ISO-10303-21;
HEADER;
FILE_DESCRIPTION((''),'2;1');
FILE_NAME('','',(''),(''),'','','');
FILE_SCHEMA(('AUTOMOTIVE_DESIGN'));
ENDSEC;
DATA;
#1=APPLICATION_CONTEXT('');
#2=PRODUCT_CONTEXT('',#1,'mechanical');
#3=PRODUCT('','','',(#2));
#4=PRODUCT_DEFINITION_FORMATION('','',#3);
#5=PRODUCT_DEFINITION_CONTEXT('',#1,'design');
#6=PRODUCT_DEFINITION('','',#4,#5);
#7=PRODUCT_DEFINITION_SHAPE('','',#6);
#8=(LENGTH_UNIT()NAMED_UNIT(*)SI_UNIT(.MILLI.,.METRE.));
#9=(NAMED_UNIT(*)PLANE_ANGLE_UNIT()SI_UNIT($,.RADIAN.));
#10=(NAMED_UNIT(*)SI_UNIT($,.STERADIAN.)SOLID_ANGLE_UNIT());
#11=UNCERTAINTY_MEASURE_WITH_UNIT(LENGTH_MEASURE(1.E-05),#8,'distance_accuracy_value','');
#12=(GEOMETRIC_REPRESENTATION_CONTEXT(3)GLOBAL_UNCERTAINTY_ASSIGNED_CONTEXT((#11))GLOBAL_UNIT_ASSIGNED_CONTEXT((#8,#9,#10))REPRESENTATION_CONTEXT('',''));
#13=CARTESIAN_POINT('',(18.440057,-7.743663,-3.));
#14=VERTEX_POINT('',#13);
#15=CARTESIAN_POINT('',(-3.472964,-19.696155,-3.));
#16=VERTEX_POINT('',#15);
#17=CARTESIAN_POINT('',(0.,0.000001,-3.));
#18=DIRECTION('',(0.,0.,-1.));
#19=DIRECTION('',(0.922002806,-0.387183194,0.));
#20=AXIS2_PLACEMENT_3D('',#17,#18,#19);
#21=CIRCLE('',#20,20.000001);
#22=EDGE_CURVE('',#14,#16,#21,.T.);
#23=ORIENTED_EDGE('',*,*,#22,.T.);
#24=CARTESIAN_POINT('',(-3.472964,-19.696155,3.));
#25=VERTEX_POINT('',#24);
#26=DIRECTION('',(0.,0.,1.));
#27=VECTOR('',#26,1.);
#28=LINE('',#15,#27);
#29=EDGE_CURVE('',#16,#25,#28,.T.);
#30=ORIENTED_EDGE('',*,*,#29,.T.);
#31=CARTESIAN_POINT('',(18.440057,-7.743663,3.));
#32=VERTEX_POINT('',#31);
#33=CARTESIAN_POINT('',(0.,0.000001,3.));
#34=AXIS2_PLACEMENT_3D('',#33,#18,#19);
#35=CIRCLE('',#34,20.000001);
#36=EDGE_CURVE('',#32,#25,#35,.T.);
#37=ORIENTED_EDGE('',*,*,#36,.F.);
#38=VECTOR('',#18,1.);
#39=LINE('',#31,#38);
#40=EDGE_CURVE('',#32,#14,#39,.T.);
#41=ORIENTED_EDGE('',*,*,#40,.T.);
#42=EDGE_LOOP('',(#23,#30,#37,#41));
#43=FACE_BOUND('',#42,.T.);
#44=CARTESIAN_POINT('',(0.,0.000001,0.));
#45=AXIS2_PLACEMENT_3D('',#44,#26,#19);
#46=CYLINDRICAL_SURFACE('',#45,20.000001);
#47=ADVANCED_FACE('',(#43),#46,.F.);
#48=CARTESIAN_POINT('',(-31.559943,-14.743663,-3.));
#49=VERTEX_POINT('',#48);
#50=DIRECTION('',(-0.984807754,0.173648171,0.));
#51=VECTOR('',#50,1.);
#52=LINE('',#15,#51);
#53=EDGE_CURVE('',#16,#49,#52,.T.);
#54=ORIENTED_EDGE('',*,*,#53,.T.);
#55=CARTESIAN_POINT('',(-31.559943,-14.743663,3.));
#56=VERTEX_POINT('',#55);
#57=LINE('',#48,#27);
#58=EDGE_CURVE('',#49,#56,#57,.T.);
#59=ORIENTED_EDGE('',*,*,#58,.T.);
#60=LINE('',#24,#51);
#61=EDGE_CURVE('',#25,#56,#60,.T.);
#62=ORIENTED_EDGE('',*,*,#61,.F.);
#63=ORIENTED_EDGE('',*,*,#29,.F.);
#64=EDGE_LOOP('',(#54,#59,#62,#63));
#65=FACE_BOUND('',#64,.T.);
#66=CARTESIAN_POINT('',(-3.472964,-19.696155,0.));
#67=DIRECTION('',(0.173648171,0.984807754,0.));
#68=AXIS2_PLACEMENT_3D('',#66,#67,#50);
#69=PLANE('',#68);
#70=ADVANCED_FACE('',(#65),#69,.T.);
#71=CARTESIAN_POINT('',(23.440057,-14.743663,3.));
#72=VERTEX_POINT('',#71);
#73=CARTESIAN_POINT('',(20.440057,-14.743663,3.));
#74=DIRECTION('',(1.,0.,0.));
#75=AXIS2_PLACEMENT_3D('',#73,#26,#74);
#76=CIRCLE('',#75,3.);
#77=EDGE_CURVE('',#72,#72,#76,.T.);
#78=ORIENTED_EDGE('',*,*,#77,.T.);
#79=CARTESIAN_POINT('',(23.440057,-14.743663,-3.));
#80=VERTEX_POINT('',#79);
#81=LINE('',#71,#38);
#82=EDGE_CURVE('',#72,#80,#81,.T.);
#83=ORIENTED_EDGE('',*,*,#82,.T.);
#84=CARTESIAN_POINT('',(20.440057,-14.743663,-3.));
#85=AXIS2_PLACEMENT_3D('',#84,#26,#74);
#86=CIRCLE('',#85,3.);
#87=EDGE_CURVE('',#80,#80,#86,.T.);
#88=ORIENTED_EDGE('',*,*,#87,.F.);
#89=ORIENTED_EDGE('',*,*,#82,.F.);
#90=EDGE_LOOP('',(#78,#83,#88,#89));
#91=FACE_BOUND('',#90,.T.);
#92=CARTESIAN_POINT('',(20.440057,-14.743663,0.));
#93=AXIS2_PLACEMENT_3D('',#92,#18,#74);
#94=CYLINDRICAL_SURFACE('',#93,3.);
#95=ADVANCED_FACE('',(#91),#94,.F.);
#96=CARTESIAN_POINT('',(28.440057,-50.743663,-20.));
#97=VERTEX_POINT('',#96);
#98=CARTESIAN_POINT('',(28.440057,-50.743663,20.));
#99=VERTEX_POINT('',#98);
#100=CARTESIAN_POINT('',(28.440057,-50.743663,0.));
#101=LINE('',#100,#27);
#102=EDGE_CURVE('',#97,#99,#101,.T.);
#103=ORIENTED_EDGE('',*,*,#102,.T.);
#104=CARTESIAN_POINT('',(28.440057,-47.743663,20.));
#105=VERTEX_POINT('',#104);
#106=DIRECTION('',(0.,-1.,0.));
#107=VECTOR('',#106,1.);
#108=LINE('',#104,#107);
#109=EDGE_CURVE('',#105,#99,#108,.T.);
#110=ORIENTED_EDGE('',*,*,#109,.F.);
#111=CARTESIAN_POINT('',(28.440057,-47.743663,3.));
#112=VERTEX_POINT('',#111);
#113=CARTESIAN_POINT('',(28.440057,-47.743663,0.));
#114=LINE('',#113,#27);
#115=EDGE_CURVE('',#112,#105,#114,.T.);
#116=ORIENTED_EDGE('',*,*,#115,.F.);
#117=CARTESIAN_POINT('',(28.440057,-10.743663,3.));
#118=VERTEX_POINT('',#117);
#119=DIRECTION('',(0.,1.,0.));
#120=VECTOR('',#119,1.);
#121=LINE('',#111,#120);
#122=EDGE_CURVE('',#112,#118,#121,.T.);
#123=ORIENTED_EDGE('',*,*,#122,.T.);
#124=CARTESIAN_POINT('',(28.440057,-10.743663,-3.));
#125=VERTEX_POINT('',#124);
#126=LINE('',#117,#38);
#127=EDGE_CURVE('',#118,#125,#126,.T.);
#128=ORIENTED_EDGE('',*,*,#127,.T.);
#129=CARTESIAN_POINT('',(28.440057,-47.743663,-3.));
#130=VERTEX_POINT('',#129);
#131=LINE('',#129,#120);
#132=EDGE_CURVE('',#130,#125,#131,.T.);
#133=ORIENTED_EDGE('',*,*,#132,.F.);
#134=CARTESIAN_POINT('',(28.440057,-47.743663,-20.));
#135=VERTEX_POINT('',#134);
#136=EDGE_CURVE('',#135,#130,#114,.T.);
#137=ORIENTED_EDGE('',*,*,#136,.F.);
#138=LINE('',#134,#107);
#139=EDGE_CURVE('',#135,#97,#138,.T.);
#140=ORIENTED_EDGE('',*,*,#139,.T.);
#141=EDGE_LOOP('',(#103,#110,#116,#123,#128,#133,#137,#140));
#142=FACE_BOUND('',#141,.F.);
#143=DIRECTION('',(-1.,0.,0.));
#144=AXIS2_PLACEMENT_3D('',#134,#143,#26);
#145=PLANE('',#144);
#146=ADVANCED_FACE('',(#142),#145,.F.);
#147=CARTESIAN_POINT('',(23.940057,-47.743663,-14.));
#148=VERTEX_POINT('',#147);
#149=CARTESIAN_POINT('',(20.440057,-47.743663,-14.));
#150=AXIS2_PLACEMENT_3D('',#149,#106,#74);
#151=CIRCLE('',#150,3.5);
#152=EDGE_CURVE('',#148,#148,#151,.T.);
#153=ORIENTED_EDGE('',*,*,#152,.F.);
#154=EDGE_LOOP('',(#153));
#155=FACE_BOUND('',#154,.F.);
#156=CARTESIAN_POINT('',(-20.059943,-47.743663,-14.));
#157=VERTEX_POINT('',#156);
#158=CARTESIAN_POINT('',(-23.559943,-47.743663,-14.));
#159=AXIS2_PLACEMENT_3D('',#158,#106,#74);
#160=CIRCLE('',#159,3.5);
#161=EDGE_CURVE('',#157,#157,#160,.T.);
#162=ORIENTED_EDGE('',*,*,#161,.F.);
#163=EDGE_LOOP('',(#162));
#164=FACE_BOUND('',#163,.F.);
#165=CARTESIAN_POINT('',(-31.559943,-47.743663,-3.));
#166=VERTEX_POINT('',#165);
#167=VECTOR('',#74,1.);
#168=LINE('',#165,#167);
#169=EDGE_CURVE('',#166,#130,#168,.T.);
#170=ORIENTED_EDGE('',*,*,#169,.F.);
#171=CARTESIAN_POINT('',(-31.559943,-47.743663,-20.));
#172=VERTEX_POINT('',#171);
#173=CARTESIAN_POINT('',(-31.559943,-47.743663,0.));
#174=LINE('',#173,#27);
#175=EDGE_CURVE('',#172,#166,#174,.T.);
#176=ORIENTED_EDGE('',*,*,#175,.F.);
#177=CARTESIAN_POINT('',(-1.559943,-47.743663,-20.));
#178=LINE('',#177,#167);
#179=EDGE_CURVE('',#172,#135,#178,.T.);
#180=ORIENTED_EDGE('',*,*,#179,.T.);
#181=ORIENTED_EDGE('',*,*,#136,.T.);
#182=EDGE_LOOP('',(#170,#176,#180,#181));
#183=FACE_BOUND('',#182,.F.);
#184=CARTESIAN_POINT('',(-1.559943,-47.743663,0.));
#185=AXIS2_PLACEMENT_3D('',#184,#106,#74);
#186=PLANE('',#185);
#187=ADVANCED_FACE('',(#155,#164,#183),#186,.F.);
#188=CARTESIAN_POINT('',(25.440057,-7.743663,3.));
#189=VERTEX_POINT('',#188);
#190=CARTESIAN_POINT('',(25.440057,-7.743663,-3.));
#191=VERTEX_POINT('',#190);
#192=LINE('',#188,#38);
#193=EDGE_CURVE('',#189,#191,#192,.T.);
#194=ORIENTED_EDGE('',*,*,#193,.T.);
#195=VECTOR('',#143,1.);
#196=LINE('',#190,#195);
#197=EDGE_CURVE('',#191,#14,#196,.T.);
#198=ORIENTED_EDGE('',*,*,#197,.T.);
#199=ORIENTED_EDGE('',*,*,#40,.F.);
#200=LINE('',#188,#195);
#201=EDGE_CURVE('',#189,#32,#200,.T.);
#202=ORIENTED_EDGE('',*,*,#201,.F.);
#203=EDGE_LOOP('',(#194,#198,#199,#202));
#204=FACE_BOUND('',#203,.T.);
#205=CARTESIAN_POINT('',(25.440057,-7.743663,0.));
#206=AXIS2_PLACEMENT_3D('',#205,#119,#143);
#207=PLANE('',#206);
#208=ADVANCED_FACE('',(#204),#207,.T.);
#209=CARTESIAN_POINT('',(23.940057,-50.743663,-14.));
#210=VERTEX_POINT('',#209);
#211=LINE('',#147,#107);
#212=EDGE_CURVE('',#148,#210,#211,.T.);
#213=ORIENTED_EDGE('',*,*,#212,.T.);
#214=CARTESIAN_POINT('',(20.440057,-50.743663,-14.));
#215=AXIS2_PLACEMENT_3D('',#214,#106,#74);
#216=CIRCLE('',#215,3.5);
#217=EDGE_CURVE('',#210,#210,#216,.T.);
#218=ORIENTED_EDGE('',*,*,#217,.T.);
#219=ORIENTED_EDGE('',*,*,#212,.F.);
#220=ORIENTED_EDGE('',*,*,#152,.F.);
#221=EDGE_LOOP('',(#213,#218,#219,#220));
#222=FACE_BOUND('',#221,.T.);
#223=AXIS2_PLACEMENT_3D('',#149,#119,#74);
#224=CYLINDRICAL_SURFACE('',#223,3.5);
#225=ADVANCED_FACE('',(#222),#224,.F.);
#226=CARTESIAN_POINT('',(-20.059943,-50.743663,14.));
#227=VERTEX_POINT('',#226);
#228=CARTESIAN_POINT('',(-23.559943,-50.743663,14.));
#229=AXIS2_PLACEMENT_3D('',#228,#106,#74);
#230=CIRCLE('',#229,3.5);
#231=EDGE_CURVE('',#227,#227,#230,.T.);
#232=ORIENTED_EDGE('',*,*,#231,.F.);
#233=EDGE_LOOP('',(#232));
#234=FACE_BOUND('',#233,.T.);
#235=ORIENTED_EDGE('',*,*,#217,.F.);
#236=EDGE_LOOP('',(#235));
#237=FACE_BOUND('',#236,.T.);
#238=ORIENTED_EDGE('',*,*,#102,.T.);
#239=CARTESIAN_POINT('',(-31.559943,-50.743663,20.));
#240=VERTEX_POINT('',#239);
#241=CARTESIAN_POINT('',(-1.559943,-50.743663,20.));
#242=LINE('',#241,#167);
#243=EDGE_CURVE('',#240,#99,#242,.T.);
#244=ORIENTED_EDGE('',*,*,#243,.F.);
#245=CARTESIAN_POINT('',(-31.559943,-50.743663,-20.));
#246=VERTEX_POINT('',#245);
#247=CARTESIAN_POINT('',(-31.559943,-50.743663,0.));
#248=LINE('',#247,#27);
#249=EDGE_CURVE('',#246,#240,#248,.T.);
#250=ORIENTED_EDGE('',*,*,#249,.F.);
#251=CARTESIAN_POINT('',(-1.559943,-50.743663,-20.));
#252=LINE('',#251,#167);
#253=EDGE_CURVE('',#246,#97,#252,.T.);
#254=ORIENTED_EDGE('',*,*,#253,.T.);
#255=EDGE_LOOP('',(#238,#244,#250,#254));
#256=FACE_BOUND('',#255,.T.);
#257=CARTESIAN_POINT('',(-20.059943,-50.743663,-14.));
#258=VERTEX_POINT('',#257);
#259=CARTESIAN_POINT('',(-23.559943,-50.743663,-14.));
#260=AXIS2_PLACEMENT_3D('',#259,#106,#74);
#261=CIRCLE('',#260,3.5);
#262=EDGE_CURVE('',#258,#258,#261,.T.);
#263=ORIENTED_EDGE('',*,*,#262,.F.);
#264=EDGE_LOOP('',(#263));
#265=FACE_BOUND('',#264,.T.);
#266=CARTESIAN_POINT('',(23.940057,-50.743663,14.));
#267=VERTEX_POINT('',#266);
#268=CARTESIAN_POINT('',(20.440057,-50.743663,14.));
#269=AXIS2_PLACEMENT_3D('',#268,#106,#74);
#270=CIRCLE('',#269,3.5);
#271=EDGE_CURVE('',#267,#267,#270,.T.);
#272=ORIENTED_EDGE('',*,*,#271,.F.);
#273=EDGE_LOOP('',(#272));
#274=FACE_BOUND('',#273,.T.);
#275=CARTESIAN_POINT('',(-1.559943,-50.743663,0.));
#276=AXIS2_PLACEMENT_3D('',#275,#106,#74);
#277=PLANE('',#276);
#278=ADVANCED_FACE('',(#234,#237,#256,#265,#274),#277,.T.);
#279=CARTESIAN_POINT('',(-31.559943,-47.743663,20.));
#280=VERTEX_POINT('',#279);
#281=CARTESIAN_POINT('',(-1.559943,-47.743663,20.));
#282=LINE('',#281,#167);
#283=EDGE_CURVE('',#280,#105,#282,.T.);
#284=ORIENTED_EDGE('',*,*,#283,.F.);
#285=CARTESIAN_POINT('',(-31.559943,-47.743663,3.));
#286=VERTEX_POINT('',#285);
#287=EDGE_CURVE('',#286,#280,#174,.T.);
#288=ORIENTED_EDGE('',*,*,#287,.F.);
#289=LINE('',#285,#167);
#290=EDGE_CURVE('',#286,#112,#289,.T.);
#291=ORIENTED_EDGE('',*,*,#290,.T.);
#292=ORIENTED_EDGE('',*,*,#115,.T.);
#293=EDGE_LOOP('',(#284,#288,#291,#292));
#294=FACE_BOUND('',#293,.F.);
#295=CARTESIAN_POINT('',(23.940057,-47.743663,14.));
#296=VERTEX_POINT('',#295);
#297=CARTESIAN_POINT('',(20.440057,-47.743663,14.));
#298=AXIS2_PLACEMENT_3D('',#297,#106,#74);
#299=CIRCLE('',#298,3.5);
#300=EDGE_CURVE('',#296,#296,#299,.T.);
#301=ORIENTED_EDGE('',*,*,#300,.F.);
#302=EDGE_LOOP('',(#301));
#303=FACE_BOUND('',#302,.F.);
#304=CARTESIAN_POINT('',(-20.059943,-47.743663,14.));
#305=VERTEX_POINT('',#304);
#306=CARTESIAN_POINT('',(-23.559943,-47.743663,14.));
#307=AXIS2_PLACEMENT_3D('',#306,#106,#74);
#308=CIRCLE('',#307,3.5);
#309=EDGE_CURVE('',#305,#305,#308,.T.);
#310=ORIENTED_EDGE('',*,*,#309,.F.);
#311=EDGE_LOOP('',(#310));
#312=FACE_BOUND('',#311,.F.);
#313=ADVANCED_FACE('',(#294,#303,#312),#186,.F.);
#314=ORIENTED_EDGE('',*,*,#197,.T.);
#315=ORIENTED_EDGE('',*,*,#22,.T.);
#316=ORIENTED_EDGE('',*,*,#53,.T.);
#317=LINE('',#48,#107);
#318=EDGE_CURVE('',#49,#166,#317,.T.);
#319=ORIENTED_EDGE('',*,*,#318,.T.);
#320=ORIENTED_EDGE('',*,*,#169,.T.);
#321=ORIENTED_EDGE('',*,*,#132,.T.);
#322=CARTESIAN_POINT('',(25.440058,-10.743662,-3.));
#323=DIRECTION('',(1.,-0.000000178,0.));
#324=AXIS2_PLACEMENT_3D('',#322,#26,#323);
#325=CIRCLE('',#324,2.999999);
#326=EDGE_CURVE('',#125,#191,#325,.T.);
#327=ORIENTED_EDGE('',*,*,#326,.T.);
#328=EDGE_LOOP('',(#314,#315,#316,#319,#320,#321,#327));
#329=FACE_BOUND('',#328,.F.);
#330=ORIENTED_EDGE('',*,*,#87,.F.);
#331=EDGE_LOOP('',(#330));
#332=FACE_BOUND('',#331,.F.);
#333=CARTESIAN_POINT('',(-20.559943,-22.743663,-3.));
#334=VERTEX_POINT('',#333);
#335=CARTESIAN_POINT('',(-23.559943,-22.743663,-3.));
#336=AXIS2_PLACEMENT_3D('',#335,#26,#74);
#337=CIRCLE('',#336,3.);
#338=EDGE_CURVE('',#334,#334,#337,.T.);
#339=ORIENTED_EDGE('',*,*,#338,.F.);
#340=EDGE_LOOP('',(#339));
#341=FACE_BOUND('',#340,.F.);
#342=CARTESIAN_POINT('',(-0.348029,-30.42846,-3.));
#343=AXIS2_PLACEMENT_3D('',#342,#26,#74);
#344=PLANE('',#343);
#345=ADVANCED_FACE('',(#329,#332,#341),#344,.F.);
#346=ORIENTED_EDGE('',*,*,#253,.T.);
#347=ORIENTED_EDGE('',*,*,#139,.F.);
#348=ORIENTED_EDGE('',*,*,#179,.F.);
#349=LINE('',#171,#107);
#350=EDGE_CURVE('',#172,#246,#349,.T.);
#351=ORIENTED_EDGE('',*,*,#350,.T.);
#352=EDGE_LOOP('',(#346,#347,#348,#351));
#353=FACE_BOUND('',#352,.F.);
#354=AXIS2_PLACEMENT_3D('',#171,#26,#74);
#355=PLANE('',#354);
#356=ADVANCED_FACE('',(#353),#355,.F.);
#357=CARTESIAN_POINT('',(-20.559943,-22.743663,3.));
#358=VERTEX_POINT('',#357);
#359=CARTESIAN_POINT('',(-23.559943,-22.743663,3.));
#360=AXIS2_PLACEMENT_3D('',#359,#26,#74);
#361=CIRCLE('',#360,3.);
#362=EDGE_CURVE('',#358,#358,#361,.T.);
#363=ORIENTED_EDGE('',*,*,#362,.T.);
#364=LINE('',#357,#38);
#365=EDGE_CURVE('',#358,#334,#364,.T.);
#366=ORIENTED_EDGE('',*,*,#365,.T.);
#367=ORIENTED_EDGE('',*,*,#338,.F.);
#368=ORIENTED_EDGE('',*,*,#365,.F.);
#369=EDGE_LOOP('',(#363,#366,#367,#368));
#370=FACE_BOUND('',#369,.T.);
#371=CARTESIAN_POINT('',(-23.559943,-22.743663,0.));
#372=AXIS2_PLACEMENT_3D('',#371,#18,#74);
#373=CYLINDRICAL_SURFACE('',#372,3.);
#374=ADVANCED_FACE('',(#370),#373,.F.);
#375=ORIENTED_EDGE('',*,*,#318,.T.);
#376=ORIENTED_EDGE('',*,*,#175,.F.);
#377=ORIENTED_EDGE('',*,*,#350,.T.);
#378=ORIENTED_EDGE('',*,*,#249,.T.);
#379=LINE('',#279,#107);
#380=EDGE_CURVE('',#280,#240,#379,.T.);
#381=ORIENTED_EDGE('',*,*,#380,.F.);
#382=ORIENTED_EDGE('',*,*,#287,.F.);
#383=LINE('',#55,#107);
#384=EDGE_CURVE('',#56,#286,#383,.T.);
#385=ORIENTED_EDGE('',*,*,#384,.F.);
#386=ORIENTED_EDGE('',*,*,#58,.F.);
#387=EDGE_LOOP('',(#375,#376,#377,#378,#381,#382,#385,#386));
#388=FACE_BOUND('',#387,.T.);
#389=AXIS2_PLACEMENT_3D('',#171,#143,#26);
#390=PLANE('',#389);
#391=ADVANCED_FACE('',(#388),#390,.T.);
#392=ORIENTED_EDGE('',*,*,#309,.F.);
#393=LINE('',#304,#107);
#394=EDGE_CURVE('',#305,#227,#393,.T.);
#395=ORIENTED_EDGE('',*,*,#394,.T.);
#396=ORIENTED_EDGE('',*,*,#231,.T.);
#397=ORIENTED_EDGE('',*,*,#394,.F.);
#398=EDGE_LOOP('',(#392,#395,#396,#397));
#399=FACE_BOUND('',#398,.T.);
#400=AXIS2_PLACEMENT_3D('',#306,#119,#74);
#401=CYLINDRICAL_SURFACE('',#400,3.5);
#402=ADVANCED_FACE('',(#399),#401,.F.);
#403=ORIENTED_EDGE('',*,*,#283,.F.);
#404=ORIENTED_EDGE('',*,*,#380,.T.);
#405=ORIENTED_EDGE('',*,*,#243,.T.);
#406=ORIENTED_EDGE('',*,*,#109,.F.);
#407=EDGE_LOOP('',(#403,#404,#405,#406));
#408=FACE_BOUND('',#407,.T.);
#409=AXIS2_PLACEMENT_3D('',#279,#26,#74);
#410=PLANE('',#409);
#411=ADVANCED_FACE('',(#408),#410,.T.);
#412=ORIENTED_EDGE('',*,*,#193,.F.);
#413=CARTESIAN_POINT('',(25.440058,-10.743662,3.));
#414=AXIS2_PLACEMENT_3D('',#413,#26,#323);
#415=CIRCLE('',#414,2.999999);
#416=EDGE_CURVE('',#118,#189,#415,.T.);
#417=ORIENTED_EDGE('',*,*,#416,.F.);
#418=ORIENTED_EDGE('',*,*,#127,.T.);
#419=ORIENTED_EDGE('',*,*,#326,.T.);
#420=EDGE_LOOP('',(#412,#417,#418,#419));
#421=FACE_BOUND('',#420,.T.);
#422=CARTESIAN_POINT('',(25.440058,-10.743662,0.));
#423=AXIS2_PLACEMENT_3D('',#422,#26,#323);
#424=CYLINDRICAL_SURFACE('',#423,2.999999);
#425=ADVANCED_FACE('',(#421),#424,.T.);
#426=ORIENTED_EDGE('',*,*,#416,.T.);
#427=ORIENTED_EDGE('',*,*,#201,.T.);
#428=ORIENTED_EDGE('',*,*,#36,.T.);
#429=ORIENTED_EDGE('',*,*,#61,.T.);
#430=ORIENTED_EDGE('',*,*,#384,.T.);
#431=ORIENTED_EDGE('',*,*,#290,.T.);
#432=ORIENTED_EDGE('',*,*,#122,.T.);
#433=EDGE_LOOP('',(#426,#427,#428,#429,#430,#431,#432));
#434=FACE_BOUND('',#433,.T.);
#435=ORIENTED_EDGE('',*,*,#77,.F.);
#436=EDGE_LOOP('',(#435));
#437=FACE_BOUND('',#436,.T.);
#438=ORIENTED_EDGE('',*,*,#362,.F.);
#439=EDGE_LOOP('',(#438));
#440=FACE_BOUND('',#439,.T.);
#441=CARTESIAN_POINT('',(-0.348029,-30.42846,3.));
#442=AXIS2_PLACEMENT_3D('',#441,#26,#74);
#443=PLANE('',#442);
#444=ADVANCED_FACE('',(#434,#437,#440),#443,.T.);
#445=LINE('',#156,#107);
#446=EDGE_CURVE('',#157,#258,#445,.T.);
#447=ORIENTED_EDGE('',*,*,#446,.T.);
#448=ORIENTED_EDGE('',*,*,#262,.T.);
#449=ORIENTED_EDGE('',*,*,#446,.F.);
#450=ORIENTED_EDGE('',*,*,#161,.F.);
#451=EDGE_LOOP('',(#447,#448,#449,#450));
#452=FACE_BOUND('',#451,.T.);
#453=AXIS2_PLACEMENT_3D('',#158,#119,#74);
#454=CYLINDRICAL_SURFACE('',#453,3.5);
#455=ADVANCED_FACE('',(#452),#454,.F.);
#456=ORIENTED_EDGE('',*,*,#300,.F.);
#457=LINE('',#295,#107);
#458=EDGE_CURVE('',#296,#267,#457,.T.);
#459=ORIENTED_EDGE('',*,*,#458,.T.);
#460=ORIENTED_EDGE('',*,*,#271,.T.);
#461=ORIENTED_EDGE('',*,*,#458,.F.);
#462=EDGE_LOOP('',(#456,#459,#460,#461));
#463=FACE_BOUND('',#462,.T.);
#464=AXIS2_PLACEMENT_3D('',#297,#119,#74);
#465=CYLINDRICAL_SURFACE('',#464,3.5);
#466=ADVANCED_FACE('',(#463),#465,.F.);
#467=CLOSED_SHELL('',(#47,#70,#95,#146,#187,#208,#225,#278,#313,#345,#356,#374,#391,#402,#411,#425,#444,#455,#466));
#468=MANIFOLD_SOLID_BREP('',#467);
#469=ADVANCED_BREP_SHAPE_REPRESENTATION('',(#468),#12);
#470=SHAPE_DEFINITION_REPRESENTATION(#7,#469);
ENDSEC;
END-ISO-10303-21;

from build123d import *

# Parameters (mm, degrees)
F0_R     = 3
F1_DEPTH = 3
F2_W     = 60
F2_H     = 40
F2_R     = 3.5
F3_DEPTH = 3


with BuildPart() as f1:
    # F0 (on Top) → F1 (new body, symmetric)
    with BuildSketch(Plane.XY):
        with BuildLine():
            ThreePointArc((18.440057, -7.743663), (9.577003, -17.557933), (-3.472964, -19.696155))
            Line((-3.472964, -19.696155), (-31.559943, -14.743663))
            Line((-31.559943, -14.743663), (-31.559943, -47.743663))
            Line((-31.559943, -47.743663), (28.440057, -47.743663))
            Line((28.440057, -47.743663), (28.440057, -10.743663))
            ThreePointArc((28.440057, -10.743663), (27.561377, -8.622342), (25.440057, -7.743663))
            Line((25.440057, -7.743663), (18.440057, -7.743663))
        make_face()
        with Locations((-23.559943, -22.743663)):
            Circle(F0_R, mode=Mode.SUBTRACT)
        with Locations((20.440057, -14.743663)):
            Circle(F0_R, mode=Mode.SUBTRACT)
    extrude(amount=F1_DEPTH, both=True)

    # F2 (on face) → F3 (join)
    with BuildSketch(Plane.XZ.offset(47.743663)):
        with Locations((-1.559943, 0)):
            Rectangle(F2_W, F2_H)
        with Locations((-23.559943, -14)):
            Circle(F2_R, mode=Mode.SUBTRACT)
        with Locations((20.440057, -14)):
            Circle(F2_R, mode=Mode.SUBTRACT)
        with Locations((-23.559943, 14)):
            Circle(F2_R, mode=Mode.SUBTRACT)
        with Locations((20.440057, 14)):
            Circle(F2_R, mode=Mode.SUBTRACT)
    extrude(amount=F3_DEPTH)


solid = f1.part
